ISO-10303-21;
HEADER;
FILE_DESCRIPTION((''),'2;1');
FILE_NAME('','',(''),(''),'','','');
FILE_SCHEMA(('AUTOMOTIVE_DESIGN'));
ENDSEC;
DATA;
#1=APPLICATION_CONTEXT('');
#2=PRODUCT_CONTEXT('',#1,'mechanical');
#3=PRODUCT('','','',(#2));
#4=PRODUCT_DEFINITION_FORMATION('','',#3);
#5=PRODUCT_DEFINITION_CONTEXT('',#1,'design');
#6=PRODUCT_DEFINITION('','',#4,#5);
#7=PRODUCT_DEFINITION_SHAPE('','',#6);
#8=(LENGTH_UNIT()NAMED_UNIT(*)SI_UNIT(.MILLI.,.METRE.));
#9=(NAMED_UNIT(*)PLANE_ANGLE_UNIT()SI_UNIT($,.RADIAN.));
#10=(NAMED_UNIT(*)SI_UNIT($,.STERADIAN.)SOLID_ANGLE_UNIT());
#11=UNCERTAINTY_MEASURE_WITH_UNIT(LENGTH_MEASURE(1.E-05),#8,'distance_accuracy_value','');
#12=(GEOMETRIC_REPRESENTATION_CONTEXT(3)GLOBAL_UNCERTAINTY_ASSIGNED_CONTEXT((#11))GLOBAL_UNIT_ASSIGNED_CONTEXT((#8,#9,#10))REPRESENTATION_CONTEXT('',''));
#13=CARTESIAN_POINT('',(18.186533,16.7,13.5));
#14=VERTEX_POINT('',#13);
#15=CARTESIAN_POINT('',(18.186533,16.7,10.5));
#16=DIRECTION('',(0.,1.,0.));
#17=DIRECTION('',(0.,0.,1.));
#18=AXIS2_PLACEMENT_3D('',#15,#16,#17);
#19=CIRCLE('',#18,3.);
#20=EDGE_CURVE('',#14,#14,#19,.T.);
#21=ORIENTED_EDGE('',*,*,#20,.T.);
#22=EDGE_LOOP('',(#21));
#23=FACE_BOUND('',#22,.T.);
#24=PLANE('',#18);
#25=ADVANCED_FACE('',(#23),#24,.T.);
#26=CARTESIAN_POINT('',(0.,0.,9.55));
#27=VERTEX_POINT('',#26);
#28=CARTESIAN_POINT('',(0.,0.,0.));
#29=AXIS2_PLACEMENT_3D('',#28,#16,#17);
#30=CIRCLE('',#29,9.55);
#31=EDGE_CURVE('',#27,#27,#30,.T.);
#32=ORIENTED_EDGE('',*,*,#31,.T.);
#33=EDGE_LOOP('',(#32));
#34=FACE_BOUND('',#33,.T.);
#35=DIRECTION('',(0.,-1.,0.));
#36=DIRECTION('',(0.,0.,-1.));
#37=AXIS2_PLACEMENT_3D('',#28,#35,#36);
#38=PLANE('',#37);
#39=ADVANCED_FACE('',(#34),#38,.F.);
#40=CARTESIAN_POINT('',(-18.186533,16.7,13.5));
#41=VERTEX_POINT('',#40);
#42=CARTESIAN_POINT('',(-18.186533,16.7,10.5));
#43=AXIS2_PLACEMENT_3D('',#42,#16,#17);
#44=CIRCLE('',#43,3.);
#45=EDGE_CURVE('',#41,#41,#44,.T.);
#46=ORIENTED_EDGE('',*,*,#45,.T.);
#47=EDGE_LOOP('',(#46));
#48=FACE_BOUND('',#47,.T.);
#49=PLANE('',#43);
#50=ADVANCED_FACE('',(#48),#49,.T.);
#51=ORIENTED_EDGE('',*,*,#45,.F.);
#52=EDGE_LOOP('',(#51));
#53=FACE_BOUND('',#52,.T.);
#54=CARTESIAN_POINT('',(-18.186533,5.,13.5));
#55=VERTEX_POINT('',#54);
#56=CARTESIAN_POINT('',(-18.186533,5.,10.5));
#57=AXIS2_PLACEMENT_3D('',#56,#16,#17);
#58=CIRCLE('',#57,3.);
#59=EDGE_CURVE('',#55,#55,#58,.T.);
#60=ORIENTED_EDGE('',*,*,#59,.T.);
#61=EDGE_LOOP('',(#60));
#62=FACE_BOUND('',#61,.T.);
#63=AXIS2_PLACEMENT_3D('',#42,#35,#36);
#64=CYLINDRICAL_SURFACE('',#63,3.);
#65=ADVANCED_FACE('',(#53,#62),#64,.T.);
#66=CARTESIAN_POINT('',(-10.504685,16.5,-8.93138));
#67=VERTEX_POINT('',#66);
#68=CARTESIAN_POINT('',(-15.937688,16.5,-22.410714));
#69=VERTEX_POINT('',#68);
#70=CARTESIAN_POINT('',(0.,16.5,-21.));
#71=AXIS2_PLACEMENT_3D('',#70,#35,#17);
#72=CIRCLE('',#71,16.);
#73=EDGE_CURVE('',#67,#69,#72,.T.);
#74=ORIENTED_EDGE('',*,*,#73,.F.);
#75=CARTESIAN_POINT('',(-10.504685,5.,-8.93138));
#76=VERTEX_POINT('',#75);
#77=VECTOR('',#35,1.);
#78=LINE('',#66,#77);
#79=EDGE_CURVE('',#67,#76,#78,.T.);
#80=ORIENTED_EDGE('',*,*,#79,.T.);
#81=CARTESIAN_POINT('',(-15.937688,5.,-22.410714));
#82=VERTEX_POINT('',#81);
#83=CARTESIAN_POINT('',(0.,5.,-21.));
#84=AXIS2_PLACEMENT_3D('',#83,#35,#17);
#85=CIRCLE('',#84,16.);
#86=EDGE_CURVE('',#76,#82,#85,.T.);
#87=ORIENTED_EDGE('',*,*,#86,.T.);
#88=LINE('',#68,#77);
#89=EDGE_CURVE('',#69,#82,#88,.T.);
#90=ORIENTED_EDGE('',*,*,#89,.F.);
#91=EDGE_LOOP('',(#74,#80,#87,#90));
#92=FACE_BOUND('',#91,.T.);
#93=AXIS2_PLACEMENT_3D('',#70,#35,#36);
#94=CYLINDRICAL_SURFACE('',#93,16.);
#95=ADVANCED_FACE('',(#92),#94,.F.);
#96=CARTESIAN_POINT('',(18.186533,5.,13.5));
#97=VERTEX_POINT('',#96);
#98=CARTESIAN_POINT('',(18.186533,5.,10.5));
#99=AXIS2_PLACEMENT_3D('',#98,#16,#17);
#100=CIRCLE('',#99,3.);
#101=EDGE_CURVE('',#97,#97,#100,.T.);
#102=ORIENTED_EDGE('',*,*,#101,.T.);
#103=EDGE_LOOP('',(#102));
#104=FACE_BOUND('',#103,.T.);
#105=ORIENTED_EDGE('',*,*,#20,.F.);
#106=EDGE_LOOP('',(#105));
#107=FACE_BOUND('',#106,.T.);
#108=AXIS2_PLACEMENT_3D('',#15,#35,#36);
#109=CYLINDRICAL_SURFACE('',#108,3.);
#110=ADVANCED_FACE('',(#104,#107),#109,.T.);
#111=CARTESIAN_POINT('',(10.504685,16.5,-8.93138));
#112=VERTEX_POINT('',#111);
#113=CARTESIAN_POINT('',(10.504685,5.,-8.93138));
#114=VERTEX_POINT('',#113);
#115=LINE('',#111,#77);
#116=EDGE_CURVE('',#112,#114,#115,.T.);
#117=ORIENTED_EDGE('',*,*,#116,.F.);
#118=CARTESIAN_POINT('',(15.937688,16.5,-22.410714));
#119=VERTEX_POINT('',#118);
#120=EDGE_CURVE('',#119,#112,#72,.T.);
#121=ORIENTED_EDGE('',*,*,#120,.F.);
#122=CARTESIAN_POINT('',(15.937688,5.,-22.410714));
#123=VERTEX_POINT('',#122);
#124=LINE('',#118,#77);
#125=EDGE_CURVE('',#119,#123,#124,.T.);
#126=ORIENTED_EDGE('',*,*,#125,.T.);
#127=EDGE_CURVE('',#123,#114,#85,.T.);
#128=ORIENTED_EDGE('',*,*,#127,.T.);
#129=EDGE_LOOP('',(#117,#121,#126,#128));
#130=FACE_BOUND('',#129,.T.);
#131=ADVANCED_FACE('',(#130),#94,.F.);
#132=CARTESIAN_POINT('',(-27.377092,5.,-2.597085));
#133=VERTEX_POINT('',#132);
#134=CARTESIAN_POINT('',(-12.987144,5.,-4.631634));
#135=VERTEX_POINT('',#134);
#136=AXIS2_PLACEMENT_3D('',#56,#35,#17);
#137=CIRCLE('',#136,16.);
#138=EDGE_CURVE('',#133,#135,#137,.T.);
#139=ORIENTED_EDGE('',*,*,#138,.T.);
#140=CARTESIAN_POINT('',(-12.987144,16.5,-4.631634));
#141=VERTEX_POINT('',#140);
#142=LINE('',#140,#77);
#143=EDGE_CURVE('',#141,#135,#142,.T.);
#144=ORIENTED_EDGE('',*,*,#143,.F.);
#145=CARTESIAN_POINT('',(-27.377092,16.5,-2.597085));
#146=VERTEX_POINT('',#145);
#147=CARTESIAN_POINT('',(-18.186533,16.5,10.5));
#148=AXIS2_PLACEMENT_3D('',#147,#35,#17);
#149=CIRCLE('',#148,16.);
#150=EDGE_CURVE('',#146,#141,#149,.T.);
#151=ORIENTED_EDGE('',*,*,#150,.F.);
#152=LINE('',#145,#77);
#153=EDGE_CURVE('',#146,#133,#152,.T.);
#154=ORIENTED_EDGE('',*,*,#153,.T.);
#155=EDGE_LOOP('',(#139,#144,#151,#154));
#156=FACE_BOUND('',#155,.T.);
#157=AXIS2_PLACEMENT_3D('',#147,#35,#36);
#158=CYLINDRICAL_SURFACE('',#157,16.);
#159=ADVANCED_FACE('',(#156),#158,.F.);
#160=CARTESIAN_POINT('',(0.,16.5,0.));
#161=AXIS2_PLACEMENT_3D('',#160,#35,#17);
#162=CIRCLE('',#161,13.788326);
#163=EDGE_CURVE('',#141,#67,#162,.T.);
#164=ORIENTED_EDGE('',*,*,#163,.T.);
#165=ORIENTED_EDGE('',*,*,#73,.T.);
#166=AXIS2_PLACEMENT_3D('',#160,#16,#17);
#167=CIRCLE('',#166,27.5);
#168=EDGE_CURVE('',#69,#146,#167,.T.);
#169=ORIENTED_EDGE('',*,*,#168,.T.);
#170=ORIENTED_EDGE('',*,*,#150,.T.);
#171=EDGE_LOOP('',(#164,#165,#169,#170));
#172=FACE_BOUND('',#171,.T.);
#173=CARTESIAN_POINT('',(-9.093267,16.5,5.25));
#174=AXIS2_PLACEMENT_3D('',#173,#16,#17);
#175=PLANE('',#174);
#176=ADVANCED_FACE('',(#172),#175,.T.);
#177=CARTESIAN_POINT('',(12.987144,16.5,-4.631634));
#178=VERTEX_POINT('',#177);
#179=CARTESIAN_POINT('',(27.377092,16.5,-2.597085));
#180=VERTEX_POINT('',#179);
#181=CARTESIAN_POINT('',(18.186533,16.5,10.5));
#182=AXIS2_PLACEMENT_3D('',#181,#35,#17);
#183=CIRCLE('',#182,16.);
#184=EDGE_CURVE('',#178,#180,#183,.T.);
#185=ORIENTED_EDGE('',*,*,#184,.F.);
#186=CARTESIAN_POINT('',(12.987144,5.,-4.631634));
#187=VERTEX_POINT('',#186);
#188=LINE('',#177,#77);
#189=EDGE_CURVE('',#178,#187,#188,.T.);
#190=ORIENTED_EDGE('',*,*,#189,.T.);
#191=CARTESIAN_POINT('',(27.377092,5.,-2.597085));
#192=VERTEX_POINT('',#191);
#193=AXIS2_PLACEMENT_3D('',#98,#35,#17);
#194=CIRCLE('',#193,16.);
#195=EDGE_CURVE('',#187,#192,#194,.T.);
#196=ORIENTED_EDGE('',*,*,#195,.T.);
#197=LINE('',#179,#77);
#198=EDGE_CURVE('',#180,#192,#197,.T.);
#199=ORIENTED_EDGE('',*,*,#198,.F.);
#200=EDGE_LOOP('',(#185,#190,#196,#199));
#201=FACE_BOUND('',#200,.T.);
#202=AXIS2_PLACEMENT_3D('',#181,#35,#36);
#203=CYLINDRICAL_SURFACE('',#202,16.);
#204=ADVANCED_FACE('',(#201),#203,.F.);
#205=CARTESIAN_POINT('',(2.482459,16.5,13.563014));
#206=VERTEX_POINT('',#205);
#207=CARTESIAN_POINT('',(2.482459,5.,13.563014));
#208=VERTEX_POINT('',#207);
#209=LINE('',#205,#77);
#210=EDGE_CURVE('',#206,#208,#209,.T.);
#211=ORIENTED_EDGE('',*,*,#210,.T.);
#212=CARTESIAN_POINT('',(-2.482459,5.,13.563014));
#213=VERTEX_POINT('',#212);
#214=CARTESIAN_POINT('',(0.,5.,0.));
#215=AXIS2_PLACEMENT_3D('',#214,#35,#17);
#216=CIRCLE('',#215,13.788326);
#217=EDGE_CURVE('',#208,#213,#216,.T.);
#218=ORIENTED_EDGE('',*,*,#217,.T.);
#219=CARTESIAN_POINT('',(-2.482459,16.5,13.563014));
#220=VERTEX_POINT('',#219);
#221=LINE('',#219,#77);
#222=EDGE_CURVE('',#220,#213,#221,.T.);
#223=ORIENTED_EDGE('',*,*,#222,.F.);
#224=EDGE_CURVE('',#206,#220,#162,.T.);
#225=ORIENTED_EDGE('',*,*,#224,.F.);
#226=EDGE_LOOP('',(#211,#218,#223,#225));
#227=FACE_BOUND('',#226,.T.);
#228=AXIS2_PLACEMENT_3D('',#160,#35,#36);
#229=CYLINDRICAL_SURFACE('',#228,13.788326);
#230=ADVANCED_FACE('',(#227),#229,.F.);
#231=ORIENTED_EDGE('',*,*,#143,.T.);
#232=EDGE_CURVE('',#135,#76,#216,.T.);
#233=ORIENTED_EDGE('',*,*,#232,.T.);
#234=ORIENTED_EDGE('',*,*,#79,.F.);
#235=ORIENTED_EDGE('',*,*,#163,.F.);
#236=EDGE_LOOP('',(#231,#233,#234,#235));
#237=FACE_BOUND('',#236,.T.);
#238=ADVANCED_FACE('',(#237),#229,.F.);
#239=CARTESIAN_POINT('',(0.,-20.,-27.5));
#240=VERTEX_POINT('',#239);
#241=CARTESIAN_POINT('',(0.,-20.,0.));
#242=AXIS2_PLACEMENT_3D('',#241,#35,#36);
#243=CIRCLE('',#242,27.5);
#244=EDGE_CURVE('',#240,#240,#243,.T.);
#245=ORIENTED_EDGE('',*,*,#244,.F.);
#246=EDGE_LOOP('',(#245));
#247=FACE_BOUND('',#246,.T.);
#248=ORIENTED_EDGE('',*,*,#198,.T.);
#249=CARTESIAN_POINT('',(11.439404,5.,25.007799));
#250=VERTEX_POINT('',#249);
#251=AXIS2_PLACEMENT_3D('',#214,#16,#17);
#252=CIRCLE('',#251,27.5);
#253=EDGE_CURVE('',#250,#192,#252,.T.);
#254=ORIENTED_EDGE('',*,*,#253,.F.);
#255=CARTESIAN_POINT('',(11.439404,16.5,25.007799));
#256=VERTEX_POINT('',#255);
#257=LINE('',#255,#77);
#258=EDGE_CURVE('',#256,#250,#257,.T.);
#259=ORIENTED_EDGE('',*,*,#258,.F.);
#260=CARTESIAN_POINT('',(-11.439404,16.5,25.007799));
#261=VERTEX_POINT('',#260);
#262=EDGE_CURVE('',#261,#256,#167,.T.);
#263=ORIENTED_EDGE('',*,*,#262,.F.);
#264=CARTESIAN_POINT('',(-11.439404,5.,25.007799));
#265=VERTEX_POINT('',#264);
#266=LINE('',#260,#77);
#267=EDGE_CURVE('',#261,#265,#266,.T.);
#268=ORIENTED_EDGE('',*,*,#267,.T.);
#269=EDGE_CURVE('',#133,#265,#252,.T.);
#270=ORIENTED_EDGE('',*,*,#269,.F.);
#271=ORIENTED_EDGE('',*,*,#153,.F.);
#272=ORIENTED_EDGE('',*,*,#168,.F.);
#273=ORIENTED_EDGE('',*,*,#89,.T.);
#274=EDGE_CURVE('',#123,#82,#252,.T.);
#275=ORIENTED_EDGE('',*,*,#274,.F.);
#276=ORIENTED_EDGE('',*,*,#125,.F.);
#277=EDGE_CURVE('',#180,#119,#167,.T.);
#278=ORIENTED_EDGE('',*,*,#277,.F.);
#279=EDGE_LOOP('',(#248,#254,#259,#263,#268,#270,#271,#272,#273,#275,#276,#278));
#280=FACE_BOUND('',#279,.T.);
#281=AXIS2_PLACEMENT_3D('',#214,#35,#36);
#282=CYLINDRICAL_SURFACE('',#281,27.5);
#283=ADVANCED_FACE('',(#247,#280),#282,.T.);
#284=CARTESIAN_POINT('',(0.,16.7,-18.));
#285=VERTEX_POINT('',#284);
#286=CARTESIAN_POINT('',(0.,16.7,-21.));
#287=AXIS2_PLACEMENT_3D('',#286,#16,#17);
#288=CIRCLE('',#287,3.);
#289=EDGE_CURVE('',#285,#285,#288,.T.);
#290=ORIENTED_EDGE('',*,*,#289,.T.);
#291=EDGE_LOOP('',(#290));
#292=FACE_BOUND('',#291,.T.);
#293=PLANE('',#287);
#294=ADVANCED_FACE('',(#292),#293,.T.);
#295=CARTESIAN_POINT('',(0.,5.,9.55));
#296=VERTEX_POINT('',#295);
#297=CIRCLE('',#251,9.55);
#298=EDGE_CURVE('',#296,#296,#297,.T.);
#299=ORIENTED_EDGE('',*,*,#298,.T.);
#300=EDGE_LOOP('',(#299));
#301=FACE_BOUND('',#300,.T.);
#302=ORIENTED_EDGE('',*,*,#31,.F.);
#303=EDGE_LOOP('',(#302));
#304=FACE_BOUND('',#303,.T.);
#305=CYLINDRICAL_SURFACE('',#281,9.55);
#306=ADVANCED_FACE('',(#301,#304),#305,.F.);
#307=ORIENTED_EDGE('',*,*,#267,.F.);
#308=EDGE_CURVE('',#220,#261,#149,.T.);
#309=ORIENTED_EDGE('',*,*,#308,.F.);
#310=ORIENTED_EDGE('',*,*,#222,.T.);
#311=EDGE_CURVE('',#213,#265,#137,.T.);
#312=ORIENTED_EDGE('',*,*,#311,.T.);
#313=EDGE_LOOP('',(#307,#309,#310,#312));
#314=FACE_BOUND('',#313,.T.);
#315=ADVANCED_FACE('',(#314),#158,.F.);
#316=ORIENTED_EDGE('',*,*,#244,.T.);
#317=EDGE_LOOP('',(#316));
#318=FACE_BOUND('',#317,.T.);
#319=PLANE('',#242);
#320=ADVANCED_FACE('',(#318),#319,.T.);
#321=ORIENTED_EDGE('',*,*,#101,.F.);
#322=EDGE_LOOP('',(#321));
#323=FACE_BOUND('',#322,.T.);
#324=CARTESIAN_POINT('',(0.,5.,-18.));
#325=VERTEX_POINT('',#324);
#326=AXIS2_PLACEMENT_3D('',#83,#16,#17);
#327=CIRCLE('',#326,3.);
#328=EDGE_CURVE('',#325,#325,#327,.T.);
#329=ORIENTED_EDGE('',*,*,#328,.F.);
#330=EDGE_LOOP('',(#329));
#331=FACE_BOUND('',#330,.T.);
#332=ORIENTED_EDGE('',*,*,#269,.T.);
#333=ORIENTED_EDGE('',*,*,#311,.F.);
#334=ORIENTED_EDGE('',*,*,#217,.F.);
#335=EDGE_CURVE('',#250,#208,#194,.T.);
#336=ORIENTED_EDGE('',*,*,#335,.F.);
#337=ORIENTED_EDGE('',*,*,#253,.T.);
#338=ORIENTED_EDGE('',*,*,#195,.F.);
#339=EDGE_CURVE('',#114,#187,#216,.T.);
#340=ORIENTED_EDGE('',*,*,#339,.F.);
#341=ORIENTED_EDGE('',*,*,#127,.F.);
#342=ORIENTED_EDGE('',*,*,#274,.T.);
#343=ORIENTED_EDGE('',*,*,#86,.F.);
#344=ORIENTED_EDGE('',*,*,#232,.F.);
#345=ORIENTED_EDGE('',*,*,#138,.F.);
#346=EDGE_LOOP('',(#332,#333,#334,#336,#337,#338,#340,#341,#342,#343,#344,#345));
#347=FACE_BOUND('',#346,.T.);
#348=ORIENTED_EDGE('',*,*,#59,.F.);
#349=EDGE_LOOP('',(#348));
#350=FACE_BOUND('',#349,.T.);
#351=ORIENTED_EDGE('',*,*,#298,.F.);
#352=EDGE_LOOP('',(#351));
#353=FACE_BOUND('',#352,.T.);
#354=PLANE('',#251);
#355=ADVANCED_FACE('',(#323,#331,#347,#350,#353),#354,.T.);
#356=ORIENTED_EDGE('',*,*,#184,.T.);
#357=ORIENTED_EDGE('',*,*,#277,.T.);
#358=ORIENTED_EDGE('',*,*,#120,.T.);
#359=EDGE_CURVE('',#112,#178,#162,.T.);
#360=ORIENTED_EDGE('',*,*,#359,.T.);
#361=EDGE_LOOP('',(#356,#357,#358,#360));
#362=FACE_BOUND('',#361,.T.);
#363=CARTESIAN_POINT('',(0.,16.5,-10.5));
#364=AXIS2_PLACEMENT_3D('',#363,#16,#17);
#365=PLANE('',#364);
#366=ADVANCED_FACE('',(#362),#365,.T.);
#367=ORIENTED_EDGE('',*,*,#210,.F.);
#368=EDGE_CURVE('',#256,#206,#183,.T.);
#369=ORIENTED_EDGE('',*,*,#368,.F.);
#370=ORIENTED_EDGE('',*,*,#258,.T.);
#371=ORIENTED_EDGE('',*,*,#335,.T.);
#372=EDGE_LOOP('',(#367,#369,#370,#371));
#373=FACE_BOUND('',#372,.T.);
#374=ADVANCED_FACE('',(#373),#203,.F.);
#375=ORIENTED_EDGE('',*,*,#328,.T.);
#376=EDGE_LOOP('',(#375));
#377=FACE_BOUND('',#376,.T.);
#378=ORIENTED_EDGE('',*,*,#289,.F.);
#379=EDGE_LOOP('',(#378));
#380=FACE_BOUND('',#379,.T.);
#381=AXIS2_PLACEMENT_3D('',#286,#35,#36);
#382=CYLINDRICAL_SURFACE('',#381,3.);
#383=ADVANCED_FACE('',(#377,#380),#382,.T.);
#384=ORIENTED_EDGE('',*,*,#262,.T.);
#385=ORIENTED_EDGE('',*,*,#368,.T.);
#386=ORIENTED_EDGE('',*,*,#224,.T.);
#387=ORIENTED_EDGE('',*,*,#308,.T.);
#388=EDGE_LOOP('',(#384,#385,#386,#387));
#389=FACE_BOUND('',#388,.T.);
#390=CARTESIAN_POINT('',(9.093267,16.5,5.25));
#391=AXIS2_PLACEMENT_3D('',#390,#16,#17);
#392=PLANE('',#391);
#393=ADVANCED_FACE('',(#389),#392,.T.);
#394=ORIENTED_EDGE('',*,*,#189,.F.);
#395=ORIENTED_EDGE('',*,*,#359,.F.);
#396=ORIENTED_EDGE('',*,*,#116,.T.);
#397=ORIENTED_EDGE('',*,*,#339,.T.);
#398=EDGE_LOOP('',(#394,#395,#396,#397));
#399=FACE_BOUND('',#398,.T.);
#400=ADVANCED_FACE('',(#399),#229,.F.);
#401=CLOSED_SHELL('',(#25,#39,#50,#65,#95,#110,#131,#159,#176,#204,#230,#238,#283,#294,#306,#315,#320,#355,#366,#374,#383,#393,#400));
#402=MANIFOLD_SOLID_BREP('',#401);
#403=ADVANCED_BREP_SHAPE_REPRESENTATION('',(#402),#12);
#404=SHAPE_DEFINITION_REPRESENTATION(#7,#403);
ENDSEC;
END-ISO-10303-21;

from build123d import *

# Parameters (mm, degrees)
SKETCH1_R           = 27.5
SKETCH1_R_2         = 9.55
BOSS_EXTRUDE1_DEPTH = 5
SKETCH2_R           = 3
BOSS_EXTRUDE2_DEPTH = 11.7
BOSS_EXTRUDE3_DEPTH = 11.5
SKETCH6_R           = 27.5
BOSS_EXTRUDE4_DEPTH = 20


with BuildPart() as part:
    # Sketch1 → Boss-Extrude1 (new body)
    with BuildSketch(Plane(origin=(0, 0, 0), x_dir=(1, 0, 0), z_dir=(0, 1, 0))):
        Circle(SKETCH1_R)
        Circle(SKETCH1_R_2, mode=Mode.SUBTRACT)
    extrude(amount=BOSS_EXTRUDE1_DEPTH)

    # Sketch2 → Boss-Extrude2 (add)
    with BuildSketch(Plane(origin=(0, 5, 0), x_dir=(1, 0, 0), z_dir=(0, 1, 0))):
        with Locations((0, 21)):
            Circle(SKETCH2_R)
        with Locations((18.186533479, -10.5)):
            Circle(SKETCH2_R)
        with Locations((-18.186533479, -10.5)):
            Circle(SKETCH2_R)
    extrude(amount=BOSS_EXTRUDE2_DEPTH)

    # Sketch3 → Boss-Extrude3 (add)
    with BuildSketch(Plane(origin=(0, 5, 0), x_dir=(1, 0, 0), z_dir=(0, 1, 0))):
        with BuildLine():
            ThreePointArc((-15.937687574, 22.410714286), (-14.839908311, 15.01860206), (-10.504684652, 8.931379517))
            ThreePointArc((-10.504684652, 8.931379517), (-11.941040775, 6.894163106), (-12.987143879, 4.631634009))
            ThreePointArc((-12.987143879, 4.631634009), (-20.426445069, 5.342436557), (-27.377091675, 2.597085174))
            ThreePointArc((-27.377091675, 2.597085174), (-23.815698604, 13.75), (-15.937687574, 22.410714286))
        make_face()
        with BuildLine():
            ThreePointArc((2.482459227, -13.563013526), (5.586536758, -20.361038617), (11.439404101, -25.007799459))
            ThreePointArc((11.439404101, -25.007799459), (0, -27.5), (-11.439404101, -25.007799459))
            ThreePointArc((-11.439404101, -25.007799459), (-5.586536758, -20.361038617), (-2.482459227, -13.563013526))
            ThreePointArc((-2.482459227, -13.563013526), (0, -13.788326212), (2.482459227, -13.563013526))
        make_face()
        with BuildLine():
            ThreePointArc((10.504684652, 8.931379517), (14.839908311, 15.01860206), (15.937687574, 22.410714286))
            ThreePointArc((15.937687574, 22.410714286), (23.815698604, 13.75), (27.377091675, 2.597085174))
            ThreePointArc((27.377091675, 2.597085174), (20.426445069, 5.342436557), (12.987143879, 4.631634009))
            ThreePointArc((12.987143879, 4.631634009), (11.941040775, 6.894163106), (10.504684652, 8.931379517))
        make_face()
    extrude(amount=BOSS_EXTRUDE3_DEPTH)

    # Sketch6 → Boss-Extrude4 (add)
    with BuildSketch(Plane.XZ):
        Circle(SKETCH6_R)
    extrude(amount=BOSS_EXTRUDE4_DEPTH)


solid = part.part
